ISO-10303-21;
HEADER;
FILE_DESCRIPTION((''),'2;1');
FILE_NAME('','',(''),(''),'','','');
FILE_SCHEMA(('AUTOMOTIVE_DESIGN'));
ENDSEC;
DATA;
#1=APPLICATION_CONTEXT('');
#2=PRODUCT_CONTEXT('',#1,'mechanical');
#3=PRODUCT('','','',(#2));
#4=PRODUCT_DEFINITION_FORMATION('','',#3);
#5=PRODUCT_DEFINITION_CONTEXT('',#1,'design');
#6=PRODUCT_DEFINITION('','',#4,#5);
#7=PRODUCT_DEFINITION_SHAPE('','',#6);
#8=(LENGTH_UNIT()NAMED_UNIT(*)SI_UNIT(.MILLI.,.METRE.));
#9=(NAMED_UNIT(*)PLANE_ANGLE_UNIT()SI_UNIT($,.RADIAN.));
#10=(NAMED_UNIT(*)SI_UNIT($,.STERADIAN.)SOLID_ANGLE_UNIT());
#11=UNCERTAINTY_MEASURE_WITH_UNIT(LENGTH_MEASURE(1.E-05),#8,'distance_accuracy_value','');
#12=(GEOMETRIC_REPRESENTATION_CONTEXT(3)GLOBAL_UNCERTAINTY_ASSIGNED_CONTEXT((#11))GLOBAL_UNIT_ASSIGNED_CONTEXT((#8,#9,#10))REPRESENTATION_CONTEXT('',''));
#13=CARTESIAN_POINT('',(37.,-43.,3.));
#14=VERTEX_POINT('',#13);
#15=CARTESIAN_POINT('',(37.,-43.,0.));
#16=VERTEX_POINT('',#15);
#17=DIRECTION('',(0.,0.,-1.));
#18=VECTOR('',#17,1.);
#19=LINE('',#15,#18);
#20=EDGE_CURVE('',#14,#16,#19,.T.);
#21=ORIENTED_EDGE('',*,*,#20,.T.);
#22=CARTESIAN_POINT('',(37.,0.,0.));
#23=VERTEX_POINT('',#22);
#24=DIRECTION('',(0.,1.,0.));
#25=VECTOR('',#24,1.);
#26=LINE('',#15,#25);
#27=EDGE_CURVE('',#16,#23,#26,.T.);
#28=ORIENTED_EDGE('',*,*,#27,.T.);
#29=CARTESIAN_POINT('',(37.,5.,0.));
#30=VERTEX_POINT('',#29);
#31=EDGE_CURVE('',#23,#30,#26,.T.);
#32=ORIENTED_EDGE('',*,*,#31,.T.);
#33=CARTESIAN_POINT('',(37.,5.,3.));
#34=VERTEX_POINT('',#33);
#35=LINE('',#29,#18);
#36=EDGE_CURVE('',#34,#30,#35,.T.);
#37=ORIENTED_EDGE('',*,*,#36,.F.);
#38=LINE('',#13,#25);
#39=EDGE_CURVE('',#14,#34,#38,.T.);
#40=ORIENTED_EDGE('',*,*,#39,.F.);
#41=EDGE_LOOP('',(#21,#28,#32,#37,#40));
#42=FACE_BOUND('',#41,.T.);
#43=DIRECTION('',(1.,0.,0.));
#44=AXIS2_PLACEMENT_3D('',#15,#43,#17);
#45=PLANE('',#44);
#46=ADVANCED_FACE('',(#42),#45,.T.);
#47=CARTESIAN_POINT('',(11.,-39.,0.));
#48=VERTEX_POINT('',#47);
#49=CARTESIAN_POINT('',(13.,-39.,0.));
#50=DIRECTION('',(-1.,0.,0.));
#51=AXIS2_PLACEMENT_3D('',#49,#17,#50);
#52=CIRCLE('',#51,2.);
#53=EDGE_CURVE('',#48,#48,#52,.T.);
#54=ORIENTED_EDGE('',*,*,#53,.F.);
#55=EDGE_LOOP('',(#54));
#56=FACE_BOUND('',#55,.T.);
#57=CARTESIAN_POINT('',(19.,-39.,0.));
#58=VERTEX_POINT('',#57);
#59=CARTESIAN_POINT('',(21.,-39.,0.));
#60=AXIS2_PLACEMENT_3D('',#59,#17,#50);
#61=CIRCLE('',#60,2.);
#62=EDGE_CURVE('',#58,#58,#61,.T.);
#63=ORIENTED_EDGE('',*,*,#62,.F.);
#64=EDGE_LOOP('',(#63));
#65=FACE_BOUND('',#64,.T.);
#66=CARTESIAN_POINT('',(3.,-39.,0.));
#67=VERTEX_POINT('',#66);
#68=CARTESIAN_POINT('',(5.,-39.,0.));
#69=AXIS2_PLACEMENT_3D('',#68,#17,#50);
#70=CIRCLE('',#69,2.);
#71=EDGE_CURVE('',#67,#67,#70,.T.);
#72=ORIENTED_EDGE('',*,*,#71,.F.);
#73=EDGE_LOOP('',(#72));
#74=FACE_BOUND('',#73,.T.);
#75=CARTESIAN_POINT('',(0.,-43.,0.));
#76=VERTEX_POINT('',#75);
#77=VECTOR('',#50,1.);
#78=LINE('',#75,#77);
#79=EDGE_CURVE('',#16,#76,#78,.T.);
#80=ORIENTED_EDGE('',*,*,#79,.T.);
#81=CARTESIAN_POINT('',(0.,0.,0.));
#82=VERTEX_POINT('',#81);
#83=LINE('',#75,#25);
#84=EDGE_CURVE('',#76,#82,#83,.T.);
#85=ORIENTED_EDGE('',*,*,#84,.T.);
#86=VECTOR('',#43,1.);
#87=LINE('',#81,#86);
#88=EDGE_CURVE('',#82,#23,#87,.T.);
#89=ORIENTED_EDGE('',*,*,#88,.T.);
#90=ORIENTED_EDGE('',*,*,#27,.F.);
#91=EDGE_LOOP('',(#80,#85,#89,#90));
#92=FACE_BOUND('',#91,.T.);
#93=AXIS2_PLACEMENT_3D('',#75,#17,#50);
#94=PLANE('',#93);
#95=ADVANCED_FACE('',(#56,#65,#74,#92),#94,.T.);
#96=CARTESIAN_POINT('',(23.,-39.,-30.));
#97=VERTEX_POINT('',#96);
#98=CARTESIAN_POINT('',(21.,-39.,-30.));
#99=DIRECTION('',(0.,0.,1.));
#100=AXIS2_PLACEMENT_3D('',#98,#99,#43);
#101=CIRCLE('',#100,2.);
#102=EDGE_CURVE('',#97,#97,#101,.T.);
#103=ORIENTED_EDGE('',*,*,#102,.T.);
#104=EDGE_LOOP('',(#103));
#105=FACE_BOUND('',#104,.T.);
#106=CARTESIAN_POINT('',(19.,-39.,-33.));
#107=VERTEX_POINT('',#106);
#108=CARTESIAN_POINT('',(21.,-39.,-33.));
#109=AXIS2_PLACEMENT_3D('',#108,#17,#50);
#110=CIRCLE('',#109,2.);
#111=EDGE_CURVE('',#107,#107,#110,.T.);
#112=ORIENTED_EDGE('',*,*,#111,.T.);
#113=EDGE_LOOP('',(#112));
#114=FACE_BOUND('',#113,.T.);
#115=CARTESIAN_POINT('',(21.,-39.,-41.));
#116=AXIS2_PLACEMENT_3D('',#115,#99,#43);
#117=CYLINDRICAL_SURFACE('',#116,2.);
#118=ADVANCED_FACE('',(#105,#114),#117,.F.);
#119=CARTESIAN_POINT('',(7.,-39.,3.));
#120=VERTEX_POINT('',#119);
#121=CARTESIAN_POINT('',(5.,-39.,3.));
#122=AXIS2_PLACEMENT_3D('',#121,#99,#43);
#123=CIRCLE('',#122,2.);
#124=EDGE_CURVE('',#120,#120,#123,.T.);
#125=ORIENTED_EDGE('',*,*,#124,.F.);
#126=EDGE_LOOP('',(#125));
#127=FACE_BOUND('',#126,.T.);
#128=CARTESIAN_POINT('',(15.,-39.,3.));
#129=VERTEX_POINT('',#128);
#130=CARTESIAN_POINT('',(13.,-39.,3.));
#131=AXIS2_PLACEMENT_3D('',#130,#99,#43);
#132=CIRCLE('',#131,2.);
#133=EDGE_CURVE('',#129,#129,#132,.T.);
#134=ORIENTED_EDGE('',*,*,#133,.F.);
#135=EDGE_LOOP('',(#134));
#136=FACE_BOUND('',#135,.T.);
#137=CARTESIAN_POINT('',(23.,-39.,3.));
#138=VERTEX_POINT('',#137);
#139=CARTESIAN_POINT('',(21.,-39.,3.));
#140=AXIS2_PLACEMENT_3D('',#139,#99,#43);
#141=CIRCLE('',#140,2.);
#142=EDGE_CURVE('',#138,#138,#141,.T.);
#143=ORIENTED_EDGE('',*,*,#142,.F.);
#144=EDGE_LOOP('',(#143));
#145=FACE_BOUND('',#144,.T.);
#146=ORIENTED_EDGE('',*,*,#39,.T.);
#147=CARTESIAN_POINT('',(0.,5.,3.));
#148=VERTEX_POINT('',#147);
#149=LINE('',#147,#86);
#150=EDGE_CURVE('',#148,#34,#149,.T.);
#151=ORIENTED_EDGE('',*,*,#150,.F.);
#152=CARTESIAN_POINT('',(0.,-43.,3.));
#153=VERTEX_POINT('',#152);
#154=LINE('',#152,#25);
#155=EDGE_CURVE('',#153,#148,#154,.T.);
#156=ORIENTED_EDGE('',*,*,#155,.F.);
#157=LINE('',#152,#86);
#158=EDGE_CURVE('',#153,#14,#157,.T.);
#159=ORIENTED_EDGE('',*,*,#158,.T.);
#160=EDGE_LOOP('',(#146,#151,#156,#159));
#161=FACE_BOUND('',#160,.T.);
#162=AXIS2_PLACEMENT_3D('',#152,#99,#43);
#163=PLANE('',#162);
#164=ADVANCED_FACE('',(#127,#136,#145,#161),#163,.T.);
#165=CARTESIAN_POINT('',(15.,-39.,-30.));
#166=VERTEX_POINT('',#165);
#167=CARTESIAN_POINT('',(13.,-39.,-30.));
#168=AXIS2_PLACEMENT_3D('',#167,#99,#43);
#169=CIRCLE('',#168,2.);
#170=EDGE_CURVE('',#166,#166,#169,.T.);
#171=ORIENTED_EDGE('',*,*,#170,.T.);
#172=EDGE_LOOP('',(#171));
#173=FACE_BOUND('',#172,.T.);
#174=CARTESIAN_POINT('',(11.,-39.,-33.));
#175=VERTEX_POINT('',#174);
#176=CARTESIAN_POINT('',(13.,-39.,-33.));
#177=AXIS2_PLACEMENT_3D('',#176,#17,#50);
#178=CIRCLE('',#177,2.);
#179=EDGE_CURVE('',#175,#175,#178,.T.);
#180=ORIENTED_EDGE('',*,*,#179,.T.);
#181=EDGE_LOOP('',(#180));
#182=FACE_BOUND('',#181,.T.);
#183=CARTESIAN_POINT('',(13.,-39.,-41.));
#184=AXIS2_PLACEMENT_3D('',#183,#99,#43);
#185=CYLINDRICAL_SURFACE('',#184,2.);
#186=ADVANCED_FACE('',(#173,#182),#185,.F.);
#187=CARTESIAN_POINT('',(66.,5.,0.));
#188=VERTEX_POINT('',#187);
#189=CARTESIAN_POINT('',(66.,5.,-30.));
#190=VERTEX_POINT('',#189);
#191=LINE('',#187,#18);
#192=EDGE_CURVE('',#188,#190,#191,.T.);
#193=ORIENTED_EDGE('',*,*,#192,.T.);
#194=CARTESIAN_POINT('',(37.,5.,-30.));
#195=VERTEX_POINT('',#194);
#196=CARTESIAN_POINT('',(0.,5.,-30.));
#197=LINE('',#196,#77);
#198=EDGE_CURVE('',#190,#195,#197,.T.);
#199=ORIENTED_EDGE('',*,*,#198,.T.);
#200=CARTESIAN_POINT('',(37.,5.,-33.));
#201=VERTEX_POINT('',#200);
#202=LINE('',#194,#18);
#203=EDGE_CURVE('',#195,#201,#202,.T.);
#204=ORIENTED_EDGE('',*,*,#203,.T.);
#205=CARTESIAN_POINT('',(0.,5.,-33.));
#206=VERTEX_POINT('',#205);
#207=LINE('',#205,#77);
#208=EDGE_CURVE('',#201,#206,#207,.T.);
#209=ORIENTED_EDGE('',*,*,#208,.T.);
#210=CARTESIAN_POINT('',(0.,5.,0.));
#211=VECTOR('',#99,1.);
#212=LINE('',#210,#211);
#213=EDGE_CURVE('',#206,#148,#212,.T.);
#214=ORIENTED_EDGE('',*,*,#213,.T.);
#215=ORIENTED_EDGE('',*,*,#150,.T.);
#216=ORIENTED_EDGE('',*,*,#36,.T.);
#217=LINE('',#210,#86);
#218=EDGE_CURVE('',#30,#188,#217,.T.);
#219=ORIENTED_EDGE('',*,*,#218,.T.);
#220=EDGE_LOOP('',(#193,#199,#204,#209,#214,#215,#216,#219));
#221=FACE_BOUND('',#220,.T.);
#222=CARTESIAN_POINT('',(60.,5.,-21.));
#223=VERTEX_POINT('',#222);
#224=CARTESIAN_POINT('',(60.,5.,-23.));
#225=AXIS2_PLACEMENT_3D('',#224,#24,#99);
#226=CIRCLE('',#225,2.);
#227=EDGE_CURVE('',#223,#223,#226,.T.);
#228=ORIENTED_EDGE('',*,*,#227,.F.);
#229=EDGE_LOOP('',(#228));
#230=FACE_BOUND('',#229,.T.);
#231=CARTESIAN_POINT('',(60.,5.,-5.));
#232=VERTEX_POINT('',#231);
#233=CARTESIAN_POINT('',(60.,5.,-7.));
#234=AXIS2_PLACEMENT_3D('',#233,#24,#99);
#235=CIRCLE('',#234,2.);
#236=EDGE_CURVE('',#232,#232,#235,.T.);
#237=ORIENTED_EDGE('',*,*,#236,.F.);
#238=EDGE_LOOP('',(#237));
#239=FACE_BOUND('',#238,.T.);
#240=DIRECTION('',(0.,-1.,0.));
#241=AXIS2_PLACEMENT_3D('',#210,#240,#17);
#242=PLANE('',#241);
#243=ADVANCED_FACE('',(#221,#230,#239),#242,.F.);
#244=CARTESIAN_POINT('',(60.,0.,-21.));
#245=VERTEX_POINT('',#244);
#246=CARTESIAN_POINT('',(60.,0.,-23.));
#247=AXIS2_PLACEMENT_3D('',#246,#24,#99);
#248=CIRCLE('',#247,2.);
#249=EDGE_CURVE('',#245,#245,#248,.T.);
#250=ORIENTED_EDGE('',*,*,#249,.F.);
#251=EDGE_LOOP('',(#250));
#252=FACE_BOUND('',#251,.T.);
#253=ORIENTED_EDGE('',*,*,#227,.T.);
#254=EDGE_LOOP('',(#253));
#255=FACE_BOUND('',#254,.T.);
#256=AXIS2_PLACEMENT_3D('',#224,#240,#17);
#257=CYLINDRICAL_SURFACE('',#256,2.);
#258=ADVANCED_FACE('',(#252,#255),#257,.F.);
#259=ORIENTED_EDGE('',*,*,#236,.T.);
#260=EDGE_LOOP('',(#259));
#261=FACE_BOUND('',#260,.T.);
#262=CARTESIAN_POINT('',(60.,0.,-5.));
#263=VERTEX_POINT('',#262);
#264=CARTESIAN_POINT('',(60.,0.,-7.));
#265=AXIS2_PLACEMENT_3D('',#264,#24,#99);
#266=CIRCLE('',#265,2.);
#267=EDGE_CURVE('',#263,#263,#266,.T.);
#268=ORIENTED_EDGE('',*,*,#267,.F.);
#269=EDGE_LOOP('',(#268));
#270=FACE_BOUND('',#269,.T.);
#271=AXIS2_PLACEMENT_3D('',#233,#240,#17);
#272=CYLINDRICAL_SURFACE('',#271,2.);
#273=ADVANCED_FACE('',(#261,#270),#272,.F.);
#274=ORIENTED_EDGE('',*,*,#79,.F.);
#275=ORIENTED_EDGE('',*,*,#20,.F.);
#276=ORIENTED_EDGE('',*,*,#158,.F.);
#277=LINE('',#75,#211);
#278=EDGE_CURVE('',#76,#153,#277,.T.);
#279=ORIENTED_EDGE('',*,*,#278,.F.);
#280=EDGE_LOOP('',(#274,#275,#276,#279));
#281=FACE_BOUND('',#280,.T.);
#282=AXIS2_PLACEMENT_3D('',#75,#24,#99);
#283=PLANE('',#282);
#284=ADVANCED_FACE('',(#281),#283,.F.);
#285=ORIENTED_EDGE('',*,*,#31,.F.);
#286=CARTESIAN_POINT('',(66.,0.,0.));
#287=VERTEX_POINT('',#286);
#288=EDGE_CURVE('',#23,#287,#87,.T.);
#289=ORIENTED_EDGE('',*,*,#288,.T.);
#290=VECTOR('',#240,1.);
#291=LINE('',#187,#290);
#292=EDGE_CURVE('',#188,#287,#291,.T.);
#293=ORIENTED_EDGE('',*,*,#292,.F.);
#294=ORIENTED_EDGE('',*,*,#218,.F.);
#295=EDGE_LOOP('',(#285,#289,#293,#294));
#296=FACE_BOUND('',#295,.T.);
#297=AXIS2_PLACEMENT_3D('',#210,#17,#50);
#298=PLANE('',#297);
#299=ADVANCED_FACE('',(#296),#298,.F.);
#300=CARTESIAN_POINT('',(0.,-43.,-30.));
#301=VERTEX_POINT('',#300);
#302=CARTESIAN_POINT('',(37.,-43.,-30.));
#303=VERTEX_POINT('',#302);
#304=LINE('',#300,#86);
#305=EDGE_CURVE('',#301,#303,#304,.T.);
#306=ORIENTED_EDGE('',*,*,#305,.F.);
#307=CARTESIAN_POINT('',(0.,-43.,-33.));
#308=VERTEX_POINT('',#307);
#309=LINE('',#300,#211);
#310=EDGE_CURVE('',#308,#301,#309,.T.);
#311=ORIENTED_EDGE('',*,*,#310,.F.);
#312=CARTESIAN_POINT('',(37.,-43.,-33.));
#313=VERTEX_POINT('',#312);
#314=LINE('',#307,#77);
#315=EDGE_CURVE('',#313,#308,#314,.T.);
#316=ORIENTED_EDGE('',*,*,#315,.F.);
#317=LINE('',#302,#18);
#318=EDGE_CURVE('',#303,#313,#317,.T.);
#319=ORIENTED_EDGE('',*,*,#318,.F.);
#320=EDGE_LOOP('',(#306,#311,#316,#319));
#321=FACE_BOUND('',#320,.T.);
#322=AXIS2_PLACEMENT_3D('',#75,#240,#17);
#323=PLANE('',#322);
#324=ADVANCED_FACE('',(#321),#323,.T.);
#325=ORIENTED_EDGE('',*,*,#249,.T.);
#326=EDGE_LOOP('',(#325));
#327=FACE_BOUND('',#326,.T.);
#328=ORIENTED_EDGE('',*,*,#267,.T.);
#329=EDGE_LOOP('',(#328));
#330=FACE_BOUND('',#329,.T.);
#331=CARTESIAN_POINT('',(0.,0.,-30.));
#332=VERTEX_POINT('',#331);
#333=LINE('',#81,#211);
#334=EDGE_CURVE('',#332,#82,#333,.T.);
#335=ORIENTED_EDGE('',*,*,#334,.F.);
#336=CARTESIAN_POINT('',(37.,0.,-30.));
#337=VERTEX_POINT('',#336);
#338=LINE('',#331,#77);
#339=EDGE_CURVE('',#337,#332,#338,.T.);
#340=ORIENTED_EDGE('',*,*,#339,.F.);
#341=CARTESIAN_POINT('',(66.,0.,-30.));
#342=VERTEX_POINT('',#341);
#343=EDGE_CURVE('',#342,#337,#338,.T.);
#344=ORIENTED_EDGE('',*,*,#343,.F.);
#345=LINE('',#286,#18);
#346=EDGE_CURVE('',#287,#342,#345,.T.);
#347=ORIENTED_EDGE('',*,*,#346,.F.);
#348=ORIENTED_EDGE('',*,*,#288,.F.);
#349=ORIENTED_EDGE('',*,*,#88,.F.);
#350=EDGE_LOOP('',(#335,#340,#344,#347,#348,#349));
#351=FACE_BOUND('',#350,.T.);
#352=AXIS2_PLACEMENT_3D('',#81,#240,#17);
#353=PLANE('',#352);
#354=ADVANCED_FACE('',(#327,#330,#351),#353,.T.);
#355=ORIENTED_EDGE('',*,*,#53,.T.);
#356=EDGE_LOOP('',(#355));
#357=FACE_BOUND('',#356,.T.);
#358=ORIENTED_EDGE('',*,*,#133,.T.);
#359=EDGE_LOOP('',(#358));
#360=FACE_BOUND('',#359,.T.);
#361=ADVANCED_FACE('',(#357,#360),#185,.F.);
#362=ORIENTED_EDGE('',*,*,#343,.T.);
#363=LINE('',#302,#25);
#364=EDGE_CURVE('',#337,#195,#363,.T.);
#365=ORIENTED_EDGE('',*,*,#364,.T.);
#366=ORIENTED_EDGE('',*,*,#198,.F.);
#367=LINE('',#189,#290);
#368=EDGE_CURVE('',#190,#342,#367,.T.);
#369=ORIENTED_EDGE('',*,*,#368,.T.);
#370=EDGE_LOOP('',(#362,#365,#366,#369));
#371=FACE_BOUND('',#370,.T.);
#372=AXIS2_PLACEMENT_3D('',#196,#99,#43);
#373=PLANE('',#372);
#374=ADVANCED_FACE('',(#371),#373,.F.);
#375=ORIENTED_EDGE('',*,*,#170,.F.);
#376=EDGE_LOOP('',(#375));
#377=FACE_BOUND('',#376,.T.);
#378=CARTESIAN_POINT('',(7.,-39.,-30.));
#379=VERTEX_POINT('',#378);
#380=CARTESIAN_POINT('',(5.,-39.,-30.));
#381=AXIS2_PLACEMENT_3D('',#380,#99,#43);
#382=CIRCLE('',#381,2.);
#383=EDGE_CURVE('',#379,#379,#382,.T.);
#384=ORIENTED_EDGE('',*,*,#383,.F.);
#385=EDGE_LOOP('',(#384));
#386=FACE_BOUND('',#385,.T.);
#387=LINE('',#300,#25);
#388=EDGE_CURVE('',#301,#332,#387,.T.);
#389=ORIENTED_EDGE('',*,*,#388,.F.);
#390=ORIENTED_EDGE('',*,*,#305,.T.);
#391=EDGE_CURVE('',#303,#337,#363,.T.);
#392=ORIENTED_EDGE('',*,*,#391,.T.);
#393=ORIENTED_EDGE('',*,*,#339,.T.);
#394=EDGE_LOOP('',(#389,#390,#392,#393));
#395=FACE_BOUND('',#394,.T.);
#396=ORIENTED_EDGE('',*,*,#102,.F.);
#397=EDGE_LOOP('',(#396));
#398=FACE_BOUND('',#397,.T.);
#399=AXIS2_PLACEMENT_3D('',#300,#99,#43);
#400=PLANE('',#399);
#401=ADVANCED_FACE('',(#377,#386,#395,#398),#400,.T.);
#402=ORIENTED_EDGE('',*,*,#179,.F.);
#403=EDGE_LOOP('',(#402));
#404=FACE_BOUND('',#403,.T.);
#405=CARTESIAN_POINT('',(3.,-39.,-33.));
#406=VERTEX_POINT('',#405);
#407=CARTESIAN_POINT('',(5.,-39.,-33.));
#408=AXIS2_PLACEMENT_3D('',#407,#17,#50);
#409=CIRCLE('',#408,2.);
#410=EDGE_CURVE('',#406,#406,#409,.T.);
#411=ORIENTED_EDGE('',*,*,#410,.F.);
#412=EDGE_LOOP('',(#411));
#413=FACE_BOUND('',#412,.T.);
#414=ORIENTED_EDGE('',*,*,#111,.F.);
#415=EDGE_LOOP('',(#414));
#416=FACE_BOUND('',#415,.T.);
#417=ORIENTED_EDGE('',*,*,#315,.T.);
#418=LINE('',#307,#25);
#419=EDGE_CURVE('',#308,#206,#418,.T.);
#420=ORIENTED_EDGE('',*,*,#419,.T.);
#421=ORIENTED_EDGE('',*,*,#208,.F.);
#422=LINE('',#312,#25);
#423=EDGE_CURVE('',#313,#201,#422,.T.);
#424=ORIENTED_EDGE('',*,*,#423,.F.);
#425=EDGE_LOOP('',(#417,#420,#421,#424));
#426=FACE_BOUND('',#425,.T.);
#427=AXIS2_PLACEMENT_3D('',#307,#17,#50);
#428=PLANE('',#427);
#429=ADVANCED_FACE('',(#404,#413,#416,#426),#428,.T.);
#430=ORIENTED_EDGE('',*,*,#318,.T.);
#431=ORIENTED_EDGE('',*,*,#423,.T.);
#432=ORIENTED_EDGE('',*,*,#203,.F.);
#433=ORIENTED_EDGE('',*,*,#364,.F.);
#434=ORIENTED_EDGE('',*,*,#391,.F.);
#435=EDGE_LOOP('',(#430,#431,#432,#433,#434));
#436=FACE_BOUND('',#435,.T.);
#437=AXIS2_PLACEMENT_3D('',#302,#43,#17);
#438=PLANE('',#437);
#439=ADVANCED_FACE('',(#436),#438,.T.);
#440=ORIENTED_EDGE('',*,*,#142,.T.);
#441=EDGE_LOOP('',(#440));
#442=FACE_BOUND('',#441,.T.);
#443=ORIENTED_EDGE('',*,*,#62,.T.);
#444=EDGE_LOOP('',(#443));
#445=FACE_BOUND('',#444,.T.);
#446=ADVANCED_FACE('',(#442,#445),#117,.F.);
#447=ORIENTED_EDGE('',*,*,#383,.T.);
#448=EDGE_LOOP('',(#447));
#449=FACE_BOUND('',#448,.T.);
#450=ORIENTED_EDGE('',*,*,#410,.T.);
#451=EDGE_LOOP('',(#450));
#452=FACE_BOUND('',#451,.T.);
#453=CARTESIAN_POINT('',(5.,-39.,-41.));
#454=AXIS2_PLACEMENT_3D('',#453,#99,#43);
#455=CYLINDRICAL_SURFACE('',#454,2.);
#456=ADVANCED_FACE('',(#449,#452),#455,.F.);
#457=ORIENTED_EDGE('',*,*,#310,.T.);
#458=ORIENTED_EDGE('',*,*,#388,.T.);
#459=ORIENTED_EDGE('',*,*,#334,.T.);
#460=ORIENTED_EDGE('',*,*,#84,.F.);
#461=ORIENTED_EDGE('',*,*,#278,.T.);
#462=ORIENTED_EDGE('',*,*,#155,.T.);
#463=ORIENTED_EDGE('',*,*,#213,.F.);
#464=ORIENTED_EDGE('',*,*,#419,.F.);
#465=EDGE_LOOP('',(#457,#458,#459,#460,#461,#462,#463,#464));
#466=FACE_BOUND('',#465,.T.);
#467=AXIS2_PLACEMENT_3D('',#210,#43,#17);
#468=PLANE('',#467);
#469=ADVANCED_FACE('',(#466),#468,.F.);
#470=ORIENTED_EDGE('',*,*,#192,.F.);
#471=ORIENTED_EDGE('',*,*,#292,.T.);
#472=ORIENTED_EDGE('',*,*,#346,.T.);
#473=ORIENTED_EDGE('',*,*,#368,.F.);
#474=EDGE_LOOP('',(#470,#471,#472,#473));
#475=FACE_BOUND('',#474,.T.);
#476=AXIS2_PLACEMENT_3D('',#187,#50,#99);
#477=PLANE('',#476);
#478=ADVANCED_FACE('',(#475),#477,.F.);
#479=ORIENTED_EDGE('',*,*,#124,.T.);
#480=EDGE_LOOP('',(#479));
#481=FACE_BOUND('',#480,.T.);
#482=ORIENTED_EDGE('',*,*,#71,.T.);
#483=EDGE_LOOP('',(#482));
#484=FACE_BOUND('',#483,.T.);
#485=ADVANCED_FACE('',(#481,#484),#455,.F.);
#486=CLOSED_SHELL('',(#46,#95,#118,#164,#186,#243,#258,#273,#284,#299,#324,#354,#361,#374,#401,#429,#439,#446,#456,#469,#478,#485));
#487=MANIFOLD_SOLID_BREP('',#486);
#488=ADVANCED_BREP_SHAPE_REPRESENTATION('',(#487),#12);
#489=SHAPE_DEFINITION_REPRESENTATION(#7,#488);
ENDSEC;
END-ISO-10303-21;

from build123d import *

# Parameters (mm, degrees)
SKETCH_1_W          = 66
SKETCH_1_H          = 30
SKETCH_1_R          = 2
EXTRUDE_1_DEPTH     = 5
SKETCH_2_W          = 37
SKETCH_2_H          = 3
EXTRUDE_2_DEPTH     = 48
SKETCH_3_R          = 2
CUT_EXTRUDE_2_DEPTH = 44


with BuildPart() as part:
    # 草圖1 → 填料-伸長1 (new body)
    with BuildSketch(Plane(origin=(0, 0, 0), x_dir=(1, 0, 0), z_dir=(0, 1, 0))):
        with Locations((33, 15)):
            Rectangle(SKETCH_1_W, SKETCH_1_H)
        with Locations(Location((60, 23, 0), (0, 0, 270))):
            Circle(SKETCH_1_R, mode=Mode.SUBTRACT)
        with Locations(Location((60, 7, 0), (0, 0, 270))):
            Circle(SKETCH_1_R, mode=Mode.SUBTRACT)
    extrude(amount=EXTRUDE_1_DEPTH)

    # 草圖2 → 填料-伸長2 (add)
    with BuildSketch(Plane(origin=(0, 5, 0), x_dir=(1, 0, 0), z_dir=(0, 1, 0))):
        with Locations((18.5, 31.5)):
            Rectangle(SKETCH_2_W, SKETCH_2_H)
        with Locations((18.5, -1.5)):
            Rectangle(SKETCH_2_W, SKETCH_2_H)
    extrude(amount=-EXTRUDE_2_DEPTH)

    # 草圖3 → 除料-伸長2 (cut)
    with BuildSketch(Plane.XY.offset(3)):
        with Locations((21, -39)):
            Circle(SKETCH_3_R)
        with Locations((13, -39)):
            Circle(SKETCH_3_R)
        with Locations((5, -39)):
            Circle(SKETCH_3_R)
    extrude(amount=-CUT_EXTRUDE_2_DEPTH, mode=Mode.SUBTRACT)


solid = part.part
